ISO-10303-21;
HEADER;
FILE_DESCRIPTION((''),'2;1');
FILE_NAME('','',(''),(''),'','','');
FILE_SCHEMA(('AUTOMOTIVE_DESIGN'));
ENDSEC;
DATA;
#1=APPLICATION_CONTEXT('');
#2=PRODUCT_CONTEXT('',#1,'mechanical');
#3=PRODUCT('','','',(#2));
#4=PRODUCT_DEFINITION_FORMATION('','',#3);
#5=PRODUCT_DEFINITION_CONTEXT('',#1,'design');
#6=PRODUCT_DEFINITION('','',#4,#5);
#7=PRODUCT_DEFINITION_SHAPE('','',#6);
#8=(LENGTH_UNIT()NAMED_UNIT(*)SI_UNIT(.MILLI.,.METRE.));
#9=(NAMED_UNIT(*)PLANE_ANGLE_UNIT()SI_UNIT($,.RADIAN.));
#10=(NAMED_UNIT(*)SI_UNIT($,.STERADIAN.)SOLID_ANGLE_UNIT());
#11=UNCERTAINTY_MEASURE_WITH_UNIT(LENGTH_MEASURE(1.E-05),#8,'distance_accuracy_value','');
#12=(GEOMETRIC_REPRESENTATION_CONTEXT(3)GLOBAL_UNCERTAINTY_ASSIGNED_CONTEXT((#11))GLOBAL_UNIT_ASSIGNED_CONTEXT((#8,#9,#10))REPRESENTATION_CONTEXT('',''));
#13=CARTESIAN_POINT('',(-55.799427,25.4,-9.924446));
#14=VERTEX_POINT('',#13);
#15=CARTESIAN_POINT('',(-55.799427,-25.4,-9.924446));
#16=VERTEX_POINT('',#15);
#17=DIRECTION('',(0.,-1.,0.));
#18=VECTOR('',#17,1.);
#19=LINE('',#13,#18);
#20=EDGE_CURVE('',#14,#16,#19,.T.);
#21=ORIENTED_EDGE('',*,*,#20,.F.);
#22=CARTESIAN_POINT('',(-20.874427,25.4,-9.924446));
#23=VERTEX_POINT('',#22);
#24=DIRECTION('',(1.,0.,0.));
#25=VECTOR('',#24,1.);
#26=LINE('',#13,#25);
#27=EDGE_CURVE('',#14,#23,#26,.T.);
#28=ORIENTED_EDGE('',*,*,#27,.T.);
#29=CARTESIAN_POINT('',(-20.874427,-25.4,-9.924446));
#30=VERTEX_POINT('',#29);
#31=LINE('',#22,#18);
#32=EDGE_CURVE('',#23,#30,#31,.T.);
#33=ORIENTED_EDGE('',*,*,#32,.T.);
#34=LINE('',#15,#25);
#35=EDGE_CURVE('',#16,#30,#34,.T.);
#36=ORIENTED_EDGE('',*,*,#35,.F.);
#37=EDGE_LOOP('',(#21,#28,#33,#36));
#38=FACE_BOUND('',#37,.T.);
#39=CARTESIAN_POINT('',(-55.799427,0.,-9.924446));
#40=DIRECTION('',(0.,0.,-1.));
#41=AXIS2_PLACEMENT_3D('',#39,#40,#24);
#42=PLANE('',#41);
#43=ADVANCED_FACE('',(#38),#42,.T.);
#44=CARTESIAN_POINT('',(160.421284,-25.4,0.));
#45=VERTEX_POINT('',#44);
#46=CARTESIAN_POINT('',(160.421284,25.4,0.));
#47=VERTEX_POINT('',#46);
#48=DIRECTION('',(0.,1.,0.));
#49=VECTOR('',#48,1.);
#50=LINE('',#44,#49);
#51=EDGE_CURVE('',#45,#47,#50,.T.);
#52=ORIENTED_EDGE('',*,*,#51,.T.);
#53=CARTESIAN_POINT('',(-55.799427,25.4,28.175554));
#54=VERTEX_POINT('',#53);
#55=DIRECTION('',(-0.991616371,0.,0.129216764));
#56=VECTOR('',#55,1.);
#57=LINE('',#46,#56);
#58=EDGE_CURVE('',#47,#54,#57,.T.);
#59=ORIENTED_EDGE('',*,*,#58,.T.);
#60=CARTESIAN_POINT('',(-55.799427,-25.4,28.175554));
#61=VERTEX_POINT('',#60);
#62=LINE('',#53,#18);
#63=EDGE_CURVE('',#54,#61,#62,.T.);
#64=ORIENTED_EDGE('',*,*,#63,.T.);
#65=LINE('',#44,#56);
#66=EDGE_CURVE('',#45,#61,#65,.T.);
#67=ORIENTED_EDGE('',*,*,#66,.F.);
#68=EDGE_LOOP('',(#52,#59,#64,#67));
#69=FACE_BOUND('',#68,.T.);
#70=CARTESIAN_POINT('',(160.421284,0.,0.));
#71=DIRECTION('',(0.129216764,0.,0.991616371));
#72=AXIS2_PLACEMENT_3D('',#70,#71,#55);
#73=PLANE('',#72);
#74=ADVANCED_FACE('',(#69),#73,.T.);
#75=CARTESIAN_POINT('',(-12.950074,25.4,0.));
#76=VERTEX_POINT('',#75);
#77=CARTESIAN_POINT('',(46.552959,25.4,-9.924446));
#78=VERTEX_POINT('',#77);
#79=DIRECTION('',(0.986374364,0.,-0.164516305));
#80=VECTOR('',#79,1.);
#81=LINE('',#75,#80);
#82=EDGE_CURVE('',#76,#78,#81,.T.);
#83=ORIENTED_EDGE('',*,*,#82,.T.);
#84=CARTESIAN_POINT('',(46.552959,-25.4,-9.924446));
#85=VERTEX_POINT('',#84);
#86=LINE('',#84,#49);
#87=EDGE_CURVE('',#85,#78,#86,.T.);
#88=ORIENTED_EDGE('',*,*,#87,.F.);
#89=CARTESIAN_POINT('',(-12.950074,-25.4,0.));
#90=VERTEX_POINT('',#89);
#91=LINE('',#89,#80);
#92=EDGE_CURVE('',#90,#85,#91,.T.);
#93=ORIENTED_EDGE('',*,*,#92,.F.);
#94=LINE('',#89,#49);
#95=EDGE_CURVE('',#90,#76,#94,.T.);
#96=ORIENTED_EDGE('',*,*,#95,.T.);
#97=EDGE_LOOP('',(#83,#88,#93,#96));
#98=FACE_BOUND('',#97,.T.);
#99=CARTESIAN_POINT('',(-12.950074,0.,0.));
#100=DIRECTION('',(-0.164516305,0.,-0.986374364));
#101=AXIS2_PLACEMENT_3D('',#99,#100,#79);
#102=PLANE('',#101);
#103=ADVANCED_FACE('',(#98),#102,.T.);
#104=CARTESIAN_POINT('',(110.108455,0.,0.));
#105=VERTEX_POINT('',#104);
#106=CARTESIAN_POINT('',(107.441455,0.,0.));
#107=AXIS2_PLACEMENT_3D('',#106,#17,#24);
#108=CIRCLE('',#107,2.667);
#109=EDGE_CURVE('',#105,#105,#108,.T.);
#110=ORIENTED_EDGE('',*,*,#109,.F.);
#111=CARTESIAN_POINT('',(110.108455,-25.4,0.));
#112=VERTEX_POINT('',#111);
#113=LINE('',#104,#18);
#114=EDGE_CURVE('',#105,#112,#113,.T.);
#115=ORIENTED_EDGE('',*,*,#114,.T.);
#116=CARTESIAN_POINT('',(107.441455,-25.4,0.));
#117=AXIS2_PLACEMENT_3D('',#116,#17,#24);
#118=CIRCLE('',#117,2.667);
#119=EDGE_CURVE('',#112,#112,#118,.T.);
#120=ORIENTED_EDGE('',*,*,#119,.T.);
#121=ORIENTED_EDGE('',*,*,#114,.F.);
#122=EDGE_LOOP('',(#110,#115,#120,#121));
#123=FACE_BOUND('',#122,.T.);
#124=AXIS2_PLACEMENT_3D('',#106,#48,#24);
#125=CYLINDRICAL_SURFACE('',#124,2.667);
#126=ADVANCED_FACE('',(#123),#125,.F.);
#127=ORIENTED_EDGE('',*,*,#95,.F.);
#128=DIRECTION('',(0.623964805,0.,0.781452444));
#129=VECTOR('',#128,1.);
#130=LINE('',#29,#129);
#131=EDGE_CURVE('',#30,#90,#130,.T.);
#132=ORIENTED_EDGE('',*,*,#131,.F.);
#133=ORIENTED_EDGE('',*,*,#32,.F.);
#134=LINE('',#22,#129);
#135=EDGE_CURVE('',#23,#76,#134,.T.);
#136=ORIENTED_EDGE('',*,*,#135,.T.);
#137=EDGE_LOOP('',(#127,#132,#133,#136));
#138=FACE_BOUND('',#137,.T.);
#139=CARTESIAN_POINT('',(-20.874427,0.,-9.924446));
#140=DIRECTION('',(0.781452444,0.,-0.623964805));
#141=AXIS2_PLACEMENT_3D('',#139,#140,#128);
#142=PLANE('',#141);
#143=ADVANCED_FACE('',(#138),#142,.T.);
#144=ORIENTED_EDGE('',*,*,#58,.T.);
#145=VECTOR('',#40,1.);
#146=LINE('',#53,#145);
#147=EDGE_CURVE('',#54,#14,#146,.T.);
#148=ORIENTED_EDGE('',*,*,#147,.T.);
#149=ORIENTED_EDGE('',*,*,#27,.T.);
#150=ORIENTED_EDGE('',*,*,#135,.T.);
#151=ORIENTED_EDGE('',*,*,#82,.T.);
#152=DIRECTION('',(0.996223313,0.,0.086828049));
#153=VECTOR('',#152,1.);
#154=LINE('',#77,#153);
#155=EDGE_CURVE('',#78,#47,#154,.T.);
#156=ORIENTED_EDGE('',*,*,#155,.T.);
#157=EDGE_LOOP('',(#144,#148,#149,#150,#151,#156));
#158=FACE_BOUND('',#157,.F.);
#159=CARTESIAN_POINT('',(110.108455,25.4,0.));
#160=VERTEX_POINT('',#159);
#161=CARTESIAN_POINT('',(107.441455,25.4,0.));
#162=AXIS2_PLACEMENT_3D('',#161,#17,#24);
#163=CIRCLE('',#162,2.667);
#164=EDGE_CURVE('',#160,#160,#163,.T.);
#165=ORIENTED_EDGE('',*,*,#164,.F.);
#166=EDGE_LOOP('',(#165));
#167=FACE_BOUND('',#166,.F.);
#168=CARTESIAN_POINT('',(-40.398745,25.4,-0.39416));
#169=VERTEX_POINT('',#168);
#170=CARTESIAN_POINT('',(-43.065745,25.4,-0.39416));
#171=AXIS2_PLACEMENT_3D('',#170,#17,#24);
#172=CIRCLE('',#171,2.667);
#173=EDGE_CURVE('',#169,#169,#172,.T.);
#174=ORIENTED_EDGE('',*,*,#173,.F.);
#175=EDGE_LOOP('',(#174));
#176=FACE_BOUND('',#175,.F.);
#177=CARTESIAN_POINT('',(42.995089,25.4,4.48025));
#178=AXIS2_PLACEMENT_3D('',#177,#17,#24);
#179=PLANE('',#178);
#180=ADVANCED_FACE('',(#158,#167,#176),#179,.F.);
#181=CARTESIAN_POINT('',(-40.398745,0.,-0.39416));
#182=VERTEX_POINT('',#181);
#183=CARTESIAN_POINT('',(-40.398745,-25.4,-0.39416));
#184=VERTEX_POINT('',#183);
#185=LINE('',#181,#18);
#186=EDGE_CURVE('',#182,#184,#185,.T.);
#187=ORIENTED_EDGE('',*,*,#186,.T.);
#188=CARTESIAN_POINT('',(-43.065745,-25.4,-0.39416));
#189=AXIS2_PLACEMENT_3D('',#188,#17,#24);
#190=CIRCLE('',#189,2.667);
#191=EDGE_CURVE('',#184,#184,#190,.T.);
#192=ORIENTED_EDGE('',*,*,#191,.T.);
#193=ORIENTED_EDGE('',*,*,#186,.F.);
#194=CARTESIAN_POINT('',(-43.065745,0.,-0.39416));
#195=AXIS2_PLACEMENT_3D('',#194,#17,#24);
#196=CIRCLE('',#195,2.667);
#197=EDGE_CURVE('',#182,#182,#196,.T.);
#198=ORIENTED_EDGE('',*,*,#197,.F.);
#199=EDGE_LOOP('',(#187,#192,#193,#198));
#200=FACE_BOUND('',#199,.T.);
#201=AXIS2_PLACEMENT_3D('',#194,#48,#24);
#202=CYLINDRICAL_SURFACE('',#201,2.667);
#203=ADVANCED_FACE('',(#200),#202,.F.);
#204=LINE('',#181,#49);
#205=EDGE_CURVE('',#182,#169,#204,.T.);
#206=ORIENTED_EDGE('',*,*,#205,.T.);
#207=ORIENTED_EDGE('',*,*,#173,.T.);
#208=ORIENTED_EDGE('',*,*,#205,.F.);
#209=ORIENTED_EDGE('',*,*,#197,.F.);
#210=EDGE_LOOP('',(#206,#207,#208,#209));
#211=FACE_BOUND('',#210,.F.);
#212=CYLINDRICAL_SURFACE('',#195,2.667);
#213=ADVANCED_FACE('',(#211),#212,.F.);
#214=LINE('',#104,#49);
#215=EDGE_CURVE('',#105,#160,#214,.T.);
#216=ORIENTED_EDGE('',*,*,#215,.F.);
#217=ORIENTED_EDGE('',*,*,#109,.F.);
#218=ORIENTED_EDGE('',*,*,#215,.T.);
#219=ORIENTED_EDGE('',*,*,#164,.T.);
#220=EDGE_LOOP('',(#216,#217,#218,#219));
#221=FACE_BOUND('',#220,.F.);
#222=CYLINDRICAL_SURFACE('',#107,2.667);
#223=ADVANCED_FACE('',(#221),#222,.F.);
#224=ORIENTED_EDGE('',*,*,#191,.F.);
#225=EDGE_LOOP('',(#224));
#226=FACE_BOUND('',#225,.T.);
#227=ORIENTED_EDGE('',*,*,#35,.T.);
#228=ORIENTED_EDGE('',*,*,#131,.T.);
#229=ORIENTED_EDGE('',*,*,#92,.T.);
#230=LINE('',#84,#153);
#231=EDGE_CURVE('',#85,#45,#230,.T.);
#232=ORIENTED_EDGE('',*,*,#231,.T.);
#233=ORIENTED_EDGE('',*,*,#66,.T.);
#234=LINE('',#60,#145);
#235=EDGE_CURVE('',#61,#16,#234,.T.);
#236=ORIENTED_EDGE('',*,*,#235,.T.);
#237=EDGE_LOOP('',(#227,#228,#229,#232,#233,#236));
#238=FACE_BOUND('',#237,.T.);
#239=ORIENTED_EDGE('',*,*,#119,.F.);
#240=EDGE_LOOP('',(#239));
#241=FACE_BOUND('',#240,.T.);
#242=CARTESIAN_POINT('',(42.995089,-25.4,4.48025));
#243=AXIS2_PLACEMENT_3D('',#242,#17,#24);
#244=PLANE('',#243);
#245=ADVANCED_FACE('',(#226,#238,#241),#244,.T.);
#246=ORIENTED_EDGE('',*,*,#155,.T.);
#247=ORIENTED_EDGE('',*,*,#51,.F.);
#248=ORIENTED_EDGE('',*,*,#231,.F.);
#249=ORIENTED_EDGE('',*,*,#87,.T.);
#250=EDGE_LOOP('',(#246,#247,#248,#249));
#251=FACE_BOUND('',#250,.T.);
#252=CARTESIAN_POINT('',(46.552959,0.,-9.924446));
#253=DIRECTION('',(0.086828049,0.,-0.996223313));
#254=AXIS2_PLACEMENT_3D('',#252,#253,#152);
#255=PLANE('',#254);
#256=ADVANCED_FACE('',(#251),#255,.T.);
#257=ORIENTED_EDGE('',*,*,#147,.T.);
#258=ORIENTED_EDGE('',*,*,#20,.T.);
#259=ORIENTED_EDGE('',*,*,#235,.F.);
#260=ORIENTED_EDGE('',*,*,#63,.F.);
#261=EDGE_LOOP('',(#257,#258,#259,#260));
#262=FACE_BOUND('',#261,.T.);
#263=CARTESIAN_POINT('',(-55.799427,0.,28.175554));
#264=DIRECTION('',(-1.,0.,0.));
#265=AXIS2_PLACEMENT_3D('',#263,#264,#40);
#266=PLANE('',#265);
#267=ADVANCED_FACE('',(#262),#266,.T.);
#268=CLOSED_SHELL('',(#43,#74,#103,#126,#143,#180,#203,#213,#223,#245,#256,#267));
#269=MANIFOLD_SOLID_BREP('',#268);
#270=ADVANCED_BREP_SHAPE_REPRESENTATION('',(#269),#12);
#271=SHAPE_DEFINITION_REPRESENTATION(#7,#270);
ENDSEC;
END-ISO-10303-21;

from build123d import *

# Parameters (mm, degrees)
F0_R          = 2.667
F1_DEPTH      = 25.4
F1_DEPTH_BACK = 25.4


with BuildPart() as f1:
    # F0 (on Front) → F1 (new body, two sides)
    with BuildSketch(Plane.XZ) as f1_sk:
        Polygon((160.421284, 0), (-55.799427, 28.175554), (-55.799427, -9.924446), (-20.874427, -9.924446), (-12.950074, 0), (46.552959, -9.924446), align=None)
        with Locations((-43.065745, -0.39416)):
            Circle(F0_R, mode=Mode.SUBTRACT)
        with Locations((107.441455, 0)):
            Circle(F0_R, mode=Mode.SUBTRACT)
    extrude(amount=F1_DEPTH)
    extrude(f1_sk.sketch, amount=-F1_DEPTH_BACK)


solid = f1.part
